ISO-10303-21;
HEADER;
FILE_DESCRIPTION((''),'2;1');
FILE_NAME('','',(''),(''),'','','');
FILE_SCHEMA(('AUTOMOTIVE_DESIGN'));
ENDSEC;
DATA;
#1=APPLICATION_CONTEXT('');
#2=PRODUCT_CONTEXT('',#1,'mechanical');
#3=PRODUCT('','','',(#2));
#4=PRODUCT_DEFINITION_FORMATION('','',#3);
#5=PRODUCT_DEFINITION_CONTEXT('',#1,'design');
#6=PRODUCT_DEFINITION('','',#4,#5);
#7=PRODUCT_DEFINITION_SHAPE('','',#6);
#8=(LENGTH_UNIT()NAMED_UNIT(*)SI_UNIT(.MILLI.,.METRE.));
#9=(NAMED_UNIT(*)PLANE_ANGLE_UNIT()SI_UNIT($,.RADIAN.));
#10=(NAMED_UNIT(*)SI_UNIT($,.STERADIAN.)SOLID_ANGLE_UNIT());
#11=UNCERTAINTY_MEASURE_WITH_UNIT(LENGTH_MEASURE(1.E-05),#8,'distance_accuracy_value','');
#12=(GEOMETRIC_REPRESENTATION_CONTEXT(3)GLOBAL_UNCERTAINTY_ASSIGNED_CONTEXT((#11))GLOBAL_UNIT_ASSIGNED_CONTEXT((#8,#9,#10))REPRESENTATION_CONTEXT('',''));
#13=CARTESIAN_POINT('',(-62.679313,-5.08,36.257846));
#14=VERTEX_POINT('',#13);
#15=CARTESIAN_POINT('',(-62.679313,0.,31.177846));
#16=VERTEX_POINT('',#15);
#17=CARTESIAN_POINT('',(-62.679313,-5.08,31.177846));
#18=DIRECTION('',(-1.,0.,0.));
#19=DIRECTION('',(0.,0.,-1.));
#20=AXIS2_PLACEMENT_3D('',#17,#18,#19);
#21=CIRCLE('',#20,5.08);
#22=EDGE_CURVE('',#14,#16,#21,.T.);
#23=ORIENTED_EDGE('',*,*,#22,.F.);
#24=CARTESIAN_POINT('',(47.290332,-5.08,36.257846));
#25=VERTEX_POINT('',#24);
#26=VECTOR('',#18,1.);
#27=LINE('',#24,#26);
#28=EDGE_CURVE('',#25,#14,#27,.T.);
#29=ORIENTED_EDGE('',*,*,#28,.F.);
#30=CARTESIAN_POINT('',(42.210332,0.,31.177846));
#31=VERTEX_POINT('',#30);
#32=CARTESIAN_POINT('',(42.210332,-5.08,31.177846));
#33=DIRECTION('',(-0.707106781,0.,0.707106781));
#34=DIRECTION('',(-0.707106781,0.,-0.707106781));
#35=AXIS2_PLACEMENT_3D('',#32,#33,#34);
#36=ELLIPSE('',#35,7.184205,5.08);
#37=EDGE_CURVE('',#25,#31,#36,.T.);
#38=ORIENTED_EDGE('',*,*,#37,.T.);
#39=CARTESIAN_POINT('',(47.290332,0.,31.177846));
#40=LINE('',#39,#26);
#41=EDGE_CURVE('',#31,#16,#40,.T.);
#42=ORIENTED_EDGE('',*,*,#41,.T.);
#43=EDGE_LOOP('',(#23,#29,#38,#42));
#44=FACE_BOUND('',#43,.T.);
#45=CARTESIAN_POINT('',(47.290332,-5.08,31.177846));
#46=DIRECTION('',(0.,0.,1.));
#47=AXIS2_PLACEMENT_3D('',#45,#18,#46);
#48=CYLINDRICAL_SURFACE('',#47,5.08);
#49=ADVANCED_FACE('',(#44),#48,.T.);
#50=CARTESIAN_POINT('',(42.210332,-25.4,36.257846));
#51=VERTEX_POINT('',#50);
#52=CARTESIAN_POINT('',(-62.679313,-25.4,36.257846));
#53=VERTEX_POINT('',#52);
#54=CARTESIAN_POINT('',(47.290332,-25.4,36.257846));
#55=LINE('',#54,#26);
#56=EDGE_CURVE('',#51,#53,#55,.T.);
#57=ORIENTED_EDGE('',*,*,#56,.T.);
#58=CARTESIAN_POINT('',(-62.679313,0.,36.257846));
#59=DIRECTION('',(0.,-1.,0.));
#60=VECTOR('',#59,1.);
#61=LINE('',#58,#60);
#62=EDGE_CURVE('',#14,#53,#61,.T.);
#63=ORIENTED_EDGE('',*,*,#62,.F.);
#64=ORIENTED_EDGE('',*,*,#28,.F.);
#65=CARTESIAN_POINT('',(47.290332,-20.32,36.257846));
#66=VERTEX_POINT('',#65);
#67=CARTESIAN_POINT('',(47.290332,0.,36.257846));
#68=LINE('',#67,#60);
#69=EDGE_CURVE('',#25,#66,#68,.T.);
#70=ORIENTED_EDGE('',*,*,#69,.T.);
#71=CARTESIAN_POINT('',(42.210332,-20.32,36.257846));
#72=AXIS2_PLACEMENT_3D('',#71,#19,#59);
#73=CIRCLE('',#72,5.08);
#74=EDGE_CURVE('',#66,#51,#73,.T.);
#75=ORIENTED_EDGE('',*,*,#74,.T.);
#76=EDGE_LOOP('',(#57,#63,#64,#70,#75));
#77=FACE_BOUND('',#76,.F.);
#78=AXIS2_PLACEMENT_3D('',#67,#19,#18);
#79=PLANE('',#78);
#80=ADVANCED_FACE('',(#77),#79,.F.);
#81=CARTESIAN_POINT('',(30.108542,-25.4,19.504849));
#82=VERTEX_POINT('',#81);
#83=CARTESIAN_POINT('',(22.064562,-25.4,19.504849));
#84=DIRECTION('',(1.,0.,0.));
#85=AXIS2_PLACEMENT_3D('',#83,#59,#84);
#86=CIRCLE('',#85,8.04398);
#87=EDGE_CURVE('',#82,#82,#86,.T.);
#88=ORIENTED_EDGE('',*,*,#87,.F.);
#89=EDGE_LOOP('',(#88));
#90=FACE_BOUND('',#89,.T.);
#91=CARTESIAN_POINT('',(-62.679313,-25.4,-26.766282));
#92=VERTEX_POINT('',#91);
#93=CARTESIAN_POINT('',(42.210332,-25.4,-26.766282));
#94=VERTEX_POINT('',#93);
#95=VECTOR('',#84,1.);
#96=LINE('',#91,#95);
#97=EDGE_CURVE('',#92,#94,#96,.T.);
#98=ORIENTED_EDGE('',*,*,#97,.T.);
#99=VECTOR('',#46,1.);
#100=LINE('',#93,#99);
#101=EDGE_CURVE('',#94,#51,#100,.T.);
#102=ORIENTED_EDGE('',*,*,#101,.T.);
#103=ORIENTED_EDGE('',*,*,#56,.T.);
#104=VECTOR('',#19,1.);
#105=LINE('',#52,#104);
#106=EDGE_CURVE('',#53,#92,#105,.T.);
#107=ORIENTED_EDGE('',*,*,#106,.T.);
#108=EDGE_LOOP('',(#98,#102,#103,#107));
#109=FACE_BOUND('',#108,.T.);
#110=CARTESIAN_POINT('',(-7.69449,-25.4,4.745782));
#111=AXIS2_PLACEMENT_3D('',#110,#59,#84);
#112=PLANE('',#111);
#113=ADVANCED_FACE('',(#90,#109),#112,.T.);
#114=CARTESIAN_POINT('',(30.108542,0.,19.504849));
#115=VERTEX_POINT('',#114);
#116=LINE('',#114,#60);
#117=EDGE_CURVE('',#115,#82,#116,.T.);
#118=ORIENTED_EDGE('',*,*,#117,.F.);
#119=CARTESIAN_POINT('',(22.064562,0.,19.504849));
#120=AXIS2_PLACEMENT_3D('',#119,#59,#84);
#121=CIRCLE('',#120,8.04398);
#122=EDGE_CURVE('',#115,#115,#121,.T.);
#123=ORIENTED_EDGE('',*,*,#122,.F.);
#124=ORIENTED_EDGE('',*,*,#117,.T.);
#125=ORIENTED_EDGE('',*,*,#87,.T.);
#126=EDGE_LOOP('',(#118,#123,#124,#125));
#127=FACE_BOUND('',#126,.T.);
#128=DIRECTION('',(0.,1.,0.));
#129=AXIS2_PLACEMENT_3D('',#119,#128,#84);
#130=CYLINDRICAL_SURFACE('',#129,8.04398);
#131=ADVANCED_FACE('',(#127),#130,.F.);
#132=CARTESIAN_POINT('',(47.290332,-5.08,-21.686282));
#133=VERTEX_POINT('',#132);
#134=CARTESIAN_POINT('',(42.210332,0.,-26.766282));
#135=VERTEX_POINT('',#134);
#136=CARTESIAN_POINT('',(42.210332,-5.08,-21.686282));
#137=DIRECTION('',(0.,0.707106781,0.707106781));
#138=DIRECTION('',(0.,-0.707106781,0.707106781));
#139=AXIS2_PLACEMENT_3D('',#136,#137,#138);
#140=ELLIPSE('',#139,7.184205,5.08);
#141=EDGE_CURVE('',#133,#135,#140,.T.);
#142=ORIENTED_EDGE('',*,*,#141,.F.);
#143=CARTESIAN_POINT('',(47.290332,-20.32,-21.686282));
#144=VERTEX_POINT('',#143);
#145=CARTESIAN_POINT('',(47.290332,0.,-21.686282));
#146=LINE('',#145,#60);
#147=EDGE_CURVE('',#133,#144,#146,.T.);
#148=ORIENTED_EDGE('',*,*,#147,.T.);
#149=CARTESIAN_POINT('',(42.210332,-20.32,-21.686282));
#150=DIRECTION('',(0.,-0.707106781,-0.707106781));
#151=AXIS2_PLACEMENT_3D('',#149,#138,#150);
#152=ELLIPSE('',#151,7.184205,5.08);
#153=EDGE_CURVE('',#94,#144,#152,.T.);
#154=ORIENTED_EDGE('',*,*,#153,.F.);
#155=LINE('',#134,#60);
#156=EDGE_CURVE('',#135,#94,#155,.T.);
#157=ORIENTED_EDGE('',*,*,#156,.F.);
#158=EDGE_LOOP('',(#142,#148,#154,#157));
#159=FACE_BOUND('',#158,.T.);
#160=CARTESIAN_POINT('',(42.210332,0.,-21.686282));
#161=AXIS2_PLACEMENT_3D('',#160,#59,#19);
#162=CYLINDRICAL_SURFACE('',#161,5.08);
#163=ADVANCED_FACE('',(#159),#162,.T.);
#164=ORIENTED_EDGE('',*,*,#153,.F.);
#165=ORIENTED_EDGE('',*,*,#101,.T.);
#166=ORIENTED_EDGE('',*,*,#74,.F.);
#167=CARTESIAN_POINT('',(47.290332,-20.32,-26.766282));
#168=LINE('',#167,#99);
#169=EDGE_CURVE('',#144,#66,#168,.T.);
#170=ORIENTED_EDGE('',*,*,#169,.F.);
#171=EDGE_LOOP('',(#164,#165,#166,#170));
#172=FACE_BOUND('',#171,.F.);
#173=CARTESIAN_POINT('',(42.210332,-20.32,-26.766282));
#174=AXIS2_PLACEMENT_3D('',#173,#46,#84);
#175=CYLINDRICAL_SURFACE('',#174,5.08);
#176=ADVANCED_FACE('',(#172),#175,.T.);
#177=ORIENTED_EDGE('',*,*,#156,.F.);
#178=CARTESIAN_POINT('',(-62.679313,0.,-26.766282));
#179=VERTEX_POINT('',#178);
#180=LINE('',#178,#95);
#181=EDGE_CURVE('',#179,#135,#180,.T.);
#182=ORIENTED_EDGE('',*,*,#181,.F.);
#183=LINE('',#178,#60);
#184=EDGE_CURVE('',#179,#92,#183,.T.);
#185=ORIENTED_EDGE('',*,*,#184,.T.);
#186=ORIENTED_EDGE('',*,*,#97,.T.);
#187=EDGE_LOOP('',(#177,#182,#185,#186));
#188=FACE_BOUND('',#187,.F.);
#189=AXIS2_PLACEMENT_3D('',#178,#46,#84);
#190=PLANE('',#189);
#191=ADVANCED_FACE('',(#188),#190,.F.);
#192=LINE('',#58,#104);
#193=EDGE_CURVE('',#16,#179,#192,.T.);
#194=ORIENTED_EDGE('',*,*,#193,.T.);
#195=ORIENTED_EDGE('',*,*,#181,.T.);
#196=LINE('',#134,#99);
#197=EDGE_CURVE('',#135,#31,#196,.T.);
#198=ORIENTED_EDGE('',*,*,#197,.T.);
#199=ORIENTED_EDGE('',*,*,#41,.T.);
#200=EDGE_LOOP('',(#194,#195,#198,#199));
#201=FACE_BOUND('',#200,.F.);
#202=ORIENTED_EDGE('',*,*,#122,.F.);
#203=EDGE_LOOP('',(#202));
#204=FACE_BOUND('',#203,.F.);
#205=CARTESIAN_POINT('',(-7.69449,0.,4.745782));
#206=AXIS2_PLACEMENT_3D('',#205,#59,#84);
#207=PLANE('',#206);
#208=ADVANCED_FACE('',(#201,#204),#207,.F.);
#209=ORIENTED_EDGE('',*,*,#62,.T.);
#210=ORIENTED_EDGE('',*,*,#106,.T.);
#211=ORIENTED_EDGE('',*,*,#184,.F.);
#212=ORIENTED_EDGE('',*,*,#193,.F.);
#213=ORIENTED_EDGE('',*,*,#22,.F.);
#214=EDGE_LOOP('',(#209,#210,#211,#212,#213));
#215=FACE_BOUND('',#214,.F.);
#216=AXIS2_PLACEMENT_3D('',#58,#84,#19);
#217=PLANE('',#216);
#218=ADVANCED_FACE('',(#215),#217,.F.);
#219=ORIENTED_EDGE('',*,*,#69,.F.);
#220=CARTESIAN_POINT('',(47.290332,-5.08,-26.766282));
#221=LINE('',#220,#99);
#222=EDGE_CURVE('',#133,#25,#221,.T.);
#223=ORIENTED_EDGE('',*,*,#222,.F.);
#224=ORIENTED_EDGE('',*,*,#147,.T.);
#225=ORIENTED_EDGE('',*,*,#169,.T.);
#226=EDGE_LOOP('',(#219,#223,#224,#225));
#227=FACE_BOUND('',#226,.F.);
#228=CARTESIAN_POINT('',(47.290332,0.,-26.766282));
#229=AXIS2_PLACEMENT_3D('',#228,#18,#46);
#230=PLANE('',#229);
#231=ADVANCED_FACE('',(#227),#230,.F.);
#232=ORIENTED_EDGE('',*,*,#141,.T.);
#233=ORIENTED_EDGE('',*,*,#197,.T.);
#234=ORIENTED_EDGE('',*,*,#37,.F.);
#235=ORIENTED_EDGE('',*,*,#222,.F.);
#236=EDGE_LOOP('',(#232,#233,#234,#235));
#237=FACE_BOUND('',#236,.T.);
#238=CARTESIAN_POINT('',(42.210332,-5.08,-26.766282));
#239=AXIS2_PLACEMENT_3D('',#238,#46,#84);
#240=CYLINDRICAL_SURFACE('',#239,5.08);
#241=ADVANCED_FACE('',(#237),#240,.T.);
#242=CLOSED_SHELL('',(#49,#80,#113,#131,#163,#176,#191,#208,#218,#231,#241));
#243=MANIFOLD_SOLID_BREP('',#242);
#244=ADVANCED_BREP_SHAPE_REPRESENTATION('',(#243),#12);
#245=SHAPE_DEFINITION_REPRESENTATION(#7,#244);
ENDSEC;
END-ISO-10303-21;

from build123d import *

# Parameters (mm, degrees)
F0_R     = 8.04398
F1_DEPTH = 25.4
F2_R     = 5.08


with BuildPart() as f1:
    # F0 (on Front) → F1 (new body)
    with BuildSketch(Plane.XZ):
        Polygon((0, 36.257846), (-62.679313, 36.257846), (-62.679313, -26.766282), (47.290332, -26.766282), (47.290332, 36.257846), align=None)
        with Locations((22.064562, 19.504849)):
            Circle(F0_R, mode=Mode.SUBTRACT)
    extrude(amount=F1_DEPTH)

    # F2
    f2_edges = [f1.edges().sort_by_distance(p)[0] for p in [
        (-7.69449, 0, 36.257846),
        (47.290332, 0, 4.745782),
        (47.290332, -12.7, -26.766282),
        (47.290332, -25.4, 4.745782),
    ]]
    fillet(f2_edges, radius=F2_R)


solid = f1.part
